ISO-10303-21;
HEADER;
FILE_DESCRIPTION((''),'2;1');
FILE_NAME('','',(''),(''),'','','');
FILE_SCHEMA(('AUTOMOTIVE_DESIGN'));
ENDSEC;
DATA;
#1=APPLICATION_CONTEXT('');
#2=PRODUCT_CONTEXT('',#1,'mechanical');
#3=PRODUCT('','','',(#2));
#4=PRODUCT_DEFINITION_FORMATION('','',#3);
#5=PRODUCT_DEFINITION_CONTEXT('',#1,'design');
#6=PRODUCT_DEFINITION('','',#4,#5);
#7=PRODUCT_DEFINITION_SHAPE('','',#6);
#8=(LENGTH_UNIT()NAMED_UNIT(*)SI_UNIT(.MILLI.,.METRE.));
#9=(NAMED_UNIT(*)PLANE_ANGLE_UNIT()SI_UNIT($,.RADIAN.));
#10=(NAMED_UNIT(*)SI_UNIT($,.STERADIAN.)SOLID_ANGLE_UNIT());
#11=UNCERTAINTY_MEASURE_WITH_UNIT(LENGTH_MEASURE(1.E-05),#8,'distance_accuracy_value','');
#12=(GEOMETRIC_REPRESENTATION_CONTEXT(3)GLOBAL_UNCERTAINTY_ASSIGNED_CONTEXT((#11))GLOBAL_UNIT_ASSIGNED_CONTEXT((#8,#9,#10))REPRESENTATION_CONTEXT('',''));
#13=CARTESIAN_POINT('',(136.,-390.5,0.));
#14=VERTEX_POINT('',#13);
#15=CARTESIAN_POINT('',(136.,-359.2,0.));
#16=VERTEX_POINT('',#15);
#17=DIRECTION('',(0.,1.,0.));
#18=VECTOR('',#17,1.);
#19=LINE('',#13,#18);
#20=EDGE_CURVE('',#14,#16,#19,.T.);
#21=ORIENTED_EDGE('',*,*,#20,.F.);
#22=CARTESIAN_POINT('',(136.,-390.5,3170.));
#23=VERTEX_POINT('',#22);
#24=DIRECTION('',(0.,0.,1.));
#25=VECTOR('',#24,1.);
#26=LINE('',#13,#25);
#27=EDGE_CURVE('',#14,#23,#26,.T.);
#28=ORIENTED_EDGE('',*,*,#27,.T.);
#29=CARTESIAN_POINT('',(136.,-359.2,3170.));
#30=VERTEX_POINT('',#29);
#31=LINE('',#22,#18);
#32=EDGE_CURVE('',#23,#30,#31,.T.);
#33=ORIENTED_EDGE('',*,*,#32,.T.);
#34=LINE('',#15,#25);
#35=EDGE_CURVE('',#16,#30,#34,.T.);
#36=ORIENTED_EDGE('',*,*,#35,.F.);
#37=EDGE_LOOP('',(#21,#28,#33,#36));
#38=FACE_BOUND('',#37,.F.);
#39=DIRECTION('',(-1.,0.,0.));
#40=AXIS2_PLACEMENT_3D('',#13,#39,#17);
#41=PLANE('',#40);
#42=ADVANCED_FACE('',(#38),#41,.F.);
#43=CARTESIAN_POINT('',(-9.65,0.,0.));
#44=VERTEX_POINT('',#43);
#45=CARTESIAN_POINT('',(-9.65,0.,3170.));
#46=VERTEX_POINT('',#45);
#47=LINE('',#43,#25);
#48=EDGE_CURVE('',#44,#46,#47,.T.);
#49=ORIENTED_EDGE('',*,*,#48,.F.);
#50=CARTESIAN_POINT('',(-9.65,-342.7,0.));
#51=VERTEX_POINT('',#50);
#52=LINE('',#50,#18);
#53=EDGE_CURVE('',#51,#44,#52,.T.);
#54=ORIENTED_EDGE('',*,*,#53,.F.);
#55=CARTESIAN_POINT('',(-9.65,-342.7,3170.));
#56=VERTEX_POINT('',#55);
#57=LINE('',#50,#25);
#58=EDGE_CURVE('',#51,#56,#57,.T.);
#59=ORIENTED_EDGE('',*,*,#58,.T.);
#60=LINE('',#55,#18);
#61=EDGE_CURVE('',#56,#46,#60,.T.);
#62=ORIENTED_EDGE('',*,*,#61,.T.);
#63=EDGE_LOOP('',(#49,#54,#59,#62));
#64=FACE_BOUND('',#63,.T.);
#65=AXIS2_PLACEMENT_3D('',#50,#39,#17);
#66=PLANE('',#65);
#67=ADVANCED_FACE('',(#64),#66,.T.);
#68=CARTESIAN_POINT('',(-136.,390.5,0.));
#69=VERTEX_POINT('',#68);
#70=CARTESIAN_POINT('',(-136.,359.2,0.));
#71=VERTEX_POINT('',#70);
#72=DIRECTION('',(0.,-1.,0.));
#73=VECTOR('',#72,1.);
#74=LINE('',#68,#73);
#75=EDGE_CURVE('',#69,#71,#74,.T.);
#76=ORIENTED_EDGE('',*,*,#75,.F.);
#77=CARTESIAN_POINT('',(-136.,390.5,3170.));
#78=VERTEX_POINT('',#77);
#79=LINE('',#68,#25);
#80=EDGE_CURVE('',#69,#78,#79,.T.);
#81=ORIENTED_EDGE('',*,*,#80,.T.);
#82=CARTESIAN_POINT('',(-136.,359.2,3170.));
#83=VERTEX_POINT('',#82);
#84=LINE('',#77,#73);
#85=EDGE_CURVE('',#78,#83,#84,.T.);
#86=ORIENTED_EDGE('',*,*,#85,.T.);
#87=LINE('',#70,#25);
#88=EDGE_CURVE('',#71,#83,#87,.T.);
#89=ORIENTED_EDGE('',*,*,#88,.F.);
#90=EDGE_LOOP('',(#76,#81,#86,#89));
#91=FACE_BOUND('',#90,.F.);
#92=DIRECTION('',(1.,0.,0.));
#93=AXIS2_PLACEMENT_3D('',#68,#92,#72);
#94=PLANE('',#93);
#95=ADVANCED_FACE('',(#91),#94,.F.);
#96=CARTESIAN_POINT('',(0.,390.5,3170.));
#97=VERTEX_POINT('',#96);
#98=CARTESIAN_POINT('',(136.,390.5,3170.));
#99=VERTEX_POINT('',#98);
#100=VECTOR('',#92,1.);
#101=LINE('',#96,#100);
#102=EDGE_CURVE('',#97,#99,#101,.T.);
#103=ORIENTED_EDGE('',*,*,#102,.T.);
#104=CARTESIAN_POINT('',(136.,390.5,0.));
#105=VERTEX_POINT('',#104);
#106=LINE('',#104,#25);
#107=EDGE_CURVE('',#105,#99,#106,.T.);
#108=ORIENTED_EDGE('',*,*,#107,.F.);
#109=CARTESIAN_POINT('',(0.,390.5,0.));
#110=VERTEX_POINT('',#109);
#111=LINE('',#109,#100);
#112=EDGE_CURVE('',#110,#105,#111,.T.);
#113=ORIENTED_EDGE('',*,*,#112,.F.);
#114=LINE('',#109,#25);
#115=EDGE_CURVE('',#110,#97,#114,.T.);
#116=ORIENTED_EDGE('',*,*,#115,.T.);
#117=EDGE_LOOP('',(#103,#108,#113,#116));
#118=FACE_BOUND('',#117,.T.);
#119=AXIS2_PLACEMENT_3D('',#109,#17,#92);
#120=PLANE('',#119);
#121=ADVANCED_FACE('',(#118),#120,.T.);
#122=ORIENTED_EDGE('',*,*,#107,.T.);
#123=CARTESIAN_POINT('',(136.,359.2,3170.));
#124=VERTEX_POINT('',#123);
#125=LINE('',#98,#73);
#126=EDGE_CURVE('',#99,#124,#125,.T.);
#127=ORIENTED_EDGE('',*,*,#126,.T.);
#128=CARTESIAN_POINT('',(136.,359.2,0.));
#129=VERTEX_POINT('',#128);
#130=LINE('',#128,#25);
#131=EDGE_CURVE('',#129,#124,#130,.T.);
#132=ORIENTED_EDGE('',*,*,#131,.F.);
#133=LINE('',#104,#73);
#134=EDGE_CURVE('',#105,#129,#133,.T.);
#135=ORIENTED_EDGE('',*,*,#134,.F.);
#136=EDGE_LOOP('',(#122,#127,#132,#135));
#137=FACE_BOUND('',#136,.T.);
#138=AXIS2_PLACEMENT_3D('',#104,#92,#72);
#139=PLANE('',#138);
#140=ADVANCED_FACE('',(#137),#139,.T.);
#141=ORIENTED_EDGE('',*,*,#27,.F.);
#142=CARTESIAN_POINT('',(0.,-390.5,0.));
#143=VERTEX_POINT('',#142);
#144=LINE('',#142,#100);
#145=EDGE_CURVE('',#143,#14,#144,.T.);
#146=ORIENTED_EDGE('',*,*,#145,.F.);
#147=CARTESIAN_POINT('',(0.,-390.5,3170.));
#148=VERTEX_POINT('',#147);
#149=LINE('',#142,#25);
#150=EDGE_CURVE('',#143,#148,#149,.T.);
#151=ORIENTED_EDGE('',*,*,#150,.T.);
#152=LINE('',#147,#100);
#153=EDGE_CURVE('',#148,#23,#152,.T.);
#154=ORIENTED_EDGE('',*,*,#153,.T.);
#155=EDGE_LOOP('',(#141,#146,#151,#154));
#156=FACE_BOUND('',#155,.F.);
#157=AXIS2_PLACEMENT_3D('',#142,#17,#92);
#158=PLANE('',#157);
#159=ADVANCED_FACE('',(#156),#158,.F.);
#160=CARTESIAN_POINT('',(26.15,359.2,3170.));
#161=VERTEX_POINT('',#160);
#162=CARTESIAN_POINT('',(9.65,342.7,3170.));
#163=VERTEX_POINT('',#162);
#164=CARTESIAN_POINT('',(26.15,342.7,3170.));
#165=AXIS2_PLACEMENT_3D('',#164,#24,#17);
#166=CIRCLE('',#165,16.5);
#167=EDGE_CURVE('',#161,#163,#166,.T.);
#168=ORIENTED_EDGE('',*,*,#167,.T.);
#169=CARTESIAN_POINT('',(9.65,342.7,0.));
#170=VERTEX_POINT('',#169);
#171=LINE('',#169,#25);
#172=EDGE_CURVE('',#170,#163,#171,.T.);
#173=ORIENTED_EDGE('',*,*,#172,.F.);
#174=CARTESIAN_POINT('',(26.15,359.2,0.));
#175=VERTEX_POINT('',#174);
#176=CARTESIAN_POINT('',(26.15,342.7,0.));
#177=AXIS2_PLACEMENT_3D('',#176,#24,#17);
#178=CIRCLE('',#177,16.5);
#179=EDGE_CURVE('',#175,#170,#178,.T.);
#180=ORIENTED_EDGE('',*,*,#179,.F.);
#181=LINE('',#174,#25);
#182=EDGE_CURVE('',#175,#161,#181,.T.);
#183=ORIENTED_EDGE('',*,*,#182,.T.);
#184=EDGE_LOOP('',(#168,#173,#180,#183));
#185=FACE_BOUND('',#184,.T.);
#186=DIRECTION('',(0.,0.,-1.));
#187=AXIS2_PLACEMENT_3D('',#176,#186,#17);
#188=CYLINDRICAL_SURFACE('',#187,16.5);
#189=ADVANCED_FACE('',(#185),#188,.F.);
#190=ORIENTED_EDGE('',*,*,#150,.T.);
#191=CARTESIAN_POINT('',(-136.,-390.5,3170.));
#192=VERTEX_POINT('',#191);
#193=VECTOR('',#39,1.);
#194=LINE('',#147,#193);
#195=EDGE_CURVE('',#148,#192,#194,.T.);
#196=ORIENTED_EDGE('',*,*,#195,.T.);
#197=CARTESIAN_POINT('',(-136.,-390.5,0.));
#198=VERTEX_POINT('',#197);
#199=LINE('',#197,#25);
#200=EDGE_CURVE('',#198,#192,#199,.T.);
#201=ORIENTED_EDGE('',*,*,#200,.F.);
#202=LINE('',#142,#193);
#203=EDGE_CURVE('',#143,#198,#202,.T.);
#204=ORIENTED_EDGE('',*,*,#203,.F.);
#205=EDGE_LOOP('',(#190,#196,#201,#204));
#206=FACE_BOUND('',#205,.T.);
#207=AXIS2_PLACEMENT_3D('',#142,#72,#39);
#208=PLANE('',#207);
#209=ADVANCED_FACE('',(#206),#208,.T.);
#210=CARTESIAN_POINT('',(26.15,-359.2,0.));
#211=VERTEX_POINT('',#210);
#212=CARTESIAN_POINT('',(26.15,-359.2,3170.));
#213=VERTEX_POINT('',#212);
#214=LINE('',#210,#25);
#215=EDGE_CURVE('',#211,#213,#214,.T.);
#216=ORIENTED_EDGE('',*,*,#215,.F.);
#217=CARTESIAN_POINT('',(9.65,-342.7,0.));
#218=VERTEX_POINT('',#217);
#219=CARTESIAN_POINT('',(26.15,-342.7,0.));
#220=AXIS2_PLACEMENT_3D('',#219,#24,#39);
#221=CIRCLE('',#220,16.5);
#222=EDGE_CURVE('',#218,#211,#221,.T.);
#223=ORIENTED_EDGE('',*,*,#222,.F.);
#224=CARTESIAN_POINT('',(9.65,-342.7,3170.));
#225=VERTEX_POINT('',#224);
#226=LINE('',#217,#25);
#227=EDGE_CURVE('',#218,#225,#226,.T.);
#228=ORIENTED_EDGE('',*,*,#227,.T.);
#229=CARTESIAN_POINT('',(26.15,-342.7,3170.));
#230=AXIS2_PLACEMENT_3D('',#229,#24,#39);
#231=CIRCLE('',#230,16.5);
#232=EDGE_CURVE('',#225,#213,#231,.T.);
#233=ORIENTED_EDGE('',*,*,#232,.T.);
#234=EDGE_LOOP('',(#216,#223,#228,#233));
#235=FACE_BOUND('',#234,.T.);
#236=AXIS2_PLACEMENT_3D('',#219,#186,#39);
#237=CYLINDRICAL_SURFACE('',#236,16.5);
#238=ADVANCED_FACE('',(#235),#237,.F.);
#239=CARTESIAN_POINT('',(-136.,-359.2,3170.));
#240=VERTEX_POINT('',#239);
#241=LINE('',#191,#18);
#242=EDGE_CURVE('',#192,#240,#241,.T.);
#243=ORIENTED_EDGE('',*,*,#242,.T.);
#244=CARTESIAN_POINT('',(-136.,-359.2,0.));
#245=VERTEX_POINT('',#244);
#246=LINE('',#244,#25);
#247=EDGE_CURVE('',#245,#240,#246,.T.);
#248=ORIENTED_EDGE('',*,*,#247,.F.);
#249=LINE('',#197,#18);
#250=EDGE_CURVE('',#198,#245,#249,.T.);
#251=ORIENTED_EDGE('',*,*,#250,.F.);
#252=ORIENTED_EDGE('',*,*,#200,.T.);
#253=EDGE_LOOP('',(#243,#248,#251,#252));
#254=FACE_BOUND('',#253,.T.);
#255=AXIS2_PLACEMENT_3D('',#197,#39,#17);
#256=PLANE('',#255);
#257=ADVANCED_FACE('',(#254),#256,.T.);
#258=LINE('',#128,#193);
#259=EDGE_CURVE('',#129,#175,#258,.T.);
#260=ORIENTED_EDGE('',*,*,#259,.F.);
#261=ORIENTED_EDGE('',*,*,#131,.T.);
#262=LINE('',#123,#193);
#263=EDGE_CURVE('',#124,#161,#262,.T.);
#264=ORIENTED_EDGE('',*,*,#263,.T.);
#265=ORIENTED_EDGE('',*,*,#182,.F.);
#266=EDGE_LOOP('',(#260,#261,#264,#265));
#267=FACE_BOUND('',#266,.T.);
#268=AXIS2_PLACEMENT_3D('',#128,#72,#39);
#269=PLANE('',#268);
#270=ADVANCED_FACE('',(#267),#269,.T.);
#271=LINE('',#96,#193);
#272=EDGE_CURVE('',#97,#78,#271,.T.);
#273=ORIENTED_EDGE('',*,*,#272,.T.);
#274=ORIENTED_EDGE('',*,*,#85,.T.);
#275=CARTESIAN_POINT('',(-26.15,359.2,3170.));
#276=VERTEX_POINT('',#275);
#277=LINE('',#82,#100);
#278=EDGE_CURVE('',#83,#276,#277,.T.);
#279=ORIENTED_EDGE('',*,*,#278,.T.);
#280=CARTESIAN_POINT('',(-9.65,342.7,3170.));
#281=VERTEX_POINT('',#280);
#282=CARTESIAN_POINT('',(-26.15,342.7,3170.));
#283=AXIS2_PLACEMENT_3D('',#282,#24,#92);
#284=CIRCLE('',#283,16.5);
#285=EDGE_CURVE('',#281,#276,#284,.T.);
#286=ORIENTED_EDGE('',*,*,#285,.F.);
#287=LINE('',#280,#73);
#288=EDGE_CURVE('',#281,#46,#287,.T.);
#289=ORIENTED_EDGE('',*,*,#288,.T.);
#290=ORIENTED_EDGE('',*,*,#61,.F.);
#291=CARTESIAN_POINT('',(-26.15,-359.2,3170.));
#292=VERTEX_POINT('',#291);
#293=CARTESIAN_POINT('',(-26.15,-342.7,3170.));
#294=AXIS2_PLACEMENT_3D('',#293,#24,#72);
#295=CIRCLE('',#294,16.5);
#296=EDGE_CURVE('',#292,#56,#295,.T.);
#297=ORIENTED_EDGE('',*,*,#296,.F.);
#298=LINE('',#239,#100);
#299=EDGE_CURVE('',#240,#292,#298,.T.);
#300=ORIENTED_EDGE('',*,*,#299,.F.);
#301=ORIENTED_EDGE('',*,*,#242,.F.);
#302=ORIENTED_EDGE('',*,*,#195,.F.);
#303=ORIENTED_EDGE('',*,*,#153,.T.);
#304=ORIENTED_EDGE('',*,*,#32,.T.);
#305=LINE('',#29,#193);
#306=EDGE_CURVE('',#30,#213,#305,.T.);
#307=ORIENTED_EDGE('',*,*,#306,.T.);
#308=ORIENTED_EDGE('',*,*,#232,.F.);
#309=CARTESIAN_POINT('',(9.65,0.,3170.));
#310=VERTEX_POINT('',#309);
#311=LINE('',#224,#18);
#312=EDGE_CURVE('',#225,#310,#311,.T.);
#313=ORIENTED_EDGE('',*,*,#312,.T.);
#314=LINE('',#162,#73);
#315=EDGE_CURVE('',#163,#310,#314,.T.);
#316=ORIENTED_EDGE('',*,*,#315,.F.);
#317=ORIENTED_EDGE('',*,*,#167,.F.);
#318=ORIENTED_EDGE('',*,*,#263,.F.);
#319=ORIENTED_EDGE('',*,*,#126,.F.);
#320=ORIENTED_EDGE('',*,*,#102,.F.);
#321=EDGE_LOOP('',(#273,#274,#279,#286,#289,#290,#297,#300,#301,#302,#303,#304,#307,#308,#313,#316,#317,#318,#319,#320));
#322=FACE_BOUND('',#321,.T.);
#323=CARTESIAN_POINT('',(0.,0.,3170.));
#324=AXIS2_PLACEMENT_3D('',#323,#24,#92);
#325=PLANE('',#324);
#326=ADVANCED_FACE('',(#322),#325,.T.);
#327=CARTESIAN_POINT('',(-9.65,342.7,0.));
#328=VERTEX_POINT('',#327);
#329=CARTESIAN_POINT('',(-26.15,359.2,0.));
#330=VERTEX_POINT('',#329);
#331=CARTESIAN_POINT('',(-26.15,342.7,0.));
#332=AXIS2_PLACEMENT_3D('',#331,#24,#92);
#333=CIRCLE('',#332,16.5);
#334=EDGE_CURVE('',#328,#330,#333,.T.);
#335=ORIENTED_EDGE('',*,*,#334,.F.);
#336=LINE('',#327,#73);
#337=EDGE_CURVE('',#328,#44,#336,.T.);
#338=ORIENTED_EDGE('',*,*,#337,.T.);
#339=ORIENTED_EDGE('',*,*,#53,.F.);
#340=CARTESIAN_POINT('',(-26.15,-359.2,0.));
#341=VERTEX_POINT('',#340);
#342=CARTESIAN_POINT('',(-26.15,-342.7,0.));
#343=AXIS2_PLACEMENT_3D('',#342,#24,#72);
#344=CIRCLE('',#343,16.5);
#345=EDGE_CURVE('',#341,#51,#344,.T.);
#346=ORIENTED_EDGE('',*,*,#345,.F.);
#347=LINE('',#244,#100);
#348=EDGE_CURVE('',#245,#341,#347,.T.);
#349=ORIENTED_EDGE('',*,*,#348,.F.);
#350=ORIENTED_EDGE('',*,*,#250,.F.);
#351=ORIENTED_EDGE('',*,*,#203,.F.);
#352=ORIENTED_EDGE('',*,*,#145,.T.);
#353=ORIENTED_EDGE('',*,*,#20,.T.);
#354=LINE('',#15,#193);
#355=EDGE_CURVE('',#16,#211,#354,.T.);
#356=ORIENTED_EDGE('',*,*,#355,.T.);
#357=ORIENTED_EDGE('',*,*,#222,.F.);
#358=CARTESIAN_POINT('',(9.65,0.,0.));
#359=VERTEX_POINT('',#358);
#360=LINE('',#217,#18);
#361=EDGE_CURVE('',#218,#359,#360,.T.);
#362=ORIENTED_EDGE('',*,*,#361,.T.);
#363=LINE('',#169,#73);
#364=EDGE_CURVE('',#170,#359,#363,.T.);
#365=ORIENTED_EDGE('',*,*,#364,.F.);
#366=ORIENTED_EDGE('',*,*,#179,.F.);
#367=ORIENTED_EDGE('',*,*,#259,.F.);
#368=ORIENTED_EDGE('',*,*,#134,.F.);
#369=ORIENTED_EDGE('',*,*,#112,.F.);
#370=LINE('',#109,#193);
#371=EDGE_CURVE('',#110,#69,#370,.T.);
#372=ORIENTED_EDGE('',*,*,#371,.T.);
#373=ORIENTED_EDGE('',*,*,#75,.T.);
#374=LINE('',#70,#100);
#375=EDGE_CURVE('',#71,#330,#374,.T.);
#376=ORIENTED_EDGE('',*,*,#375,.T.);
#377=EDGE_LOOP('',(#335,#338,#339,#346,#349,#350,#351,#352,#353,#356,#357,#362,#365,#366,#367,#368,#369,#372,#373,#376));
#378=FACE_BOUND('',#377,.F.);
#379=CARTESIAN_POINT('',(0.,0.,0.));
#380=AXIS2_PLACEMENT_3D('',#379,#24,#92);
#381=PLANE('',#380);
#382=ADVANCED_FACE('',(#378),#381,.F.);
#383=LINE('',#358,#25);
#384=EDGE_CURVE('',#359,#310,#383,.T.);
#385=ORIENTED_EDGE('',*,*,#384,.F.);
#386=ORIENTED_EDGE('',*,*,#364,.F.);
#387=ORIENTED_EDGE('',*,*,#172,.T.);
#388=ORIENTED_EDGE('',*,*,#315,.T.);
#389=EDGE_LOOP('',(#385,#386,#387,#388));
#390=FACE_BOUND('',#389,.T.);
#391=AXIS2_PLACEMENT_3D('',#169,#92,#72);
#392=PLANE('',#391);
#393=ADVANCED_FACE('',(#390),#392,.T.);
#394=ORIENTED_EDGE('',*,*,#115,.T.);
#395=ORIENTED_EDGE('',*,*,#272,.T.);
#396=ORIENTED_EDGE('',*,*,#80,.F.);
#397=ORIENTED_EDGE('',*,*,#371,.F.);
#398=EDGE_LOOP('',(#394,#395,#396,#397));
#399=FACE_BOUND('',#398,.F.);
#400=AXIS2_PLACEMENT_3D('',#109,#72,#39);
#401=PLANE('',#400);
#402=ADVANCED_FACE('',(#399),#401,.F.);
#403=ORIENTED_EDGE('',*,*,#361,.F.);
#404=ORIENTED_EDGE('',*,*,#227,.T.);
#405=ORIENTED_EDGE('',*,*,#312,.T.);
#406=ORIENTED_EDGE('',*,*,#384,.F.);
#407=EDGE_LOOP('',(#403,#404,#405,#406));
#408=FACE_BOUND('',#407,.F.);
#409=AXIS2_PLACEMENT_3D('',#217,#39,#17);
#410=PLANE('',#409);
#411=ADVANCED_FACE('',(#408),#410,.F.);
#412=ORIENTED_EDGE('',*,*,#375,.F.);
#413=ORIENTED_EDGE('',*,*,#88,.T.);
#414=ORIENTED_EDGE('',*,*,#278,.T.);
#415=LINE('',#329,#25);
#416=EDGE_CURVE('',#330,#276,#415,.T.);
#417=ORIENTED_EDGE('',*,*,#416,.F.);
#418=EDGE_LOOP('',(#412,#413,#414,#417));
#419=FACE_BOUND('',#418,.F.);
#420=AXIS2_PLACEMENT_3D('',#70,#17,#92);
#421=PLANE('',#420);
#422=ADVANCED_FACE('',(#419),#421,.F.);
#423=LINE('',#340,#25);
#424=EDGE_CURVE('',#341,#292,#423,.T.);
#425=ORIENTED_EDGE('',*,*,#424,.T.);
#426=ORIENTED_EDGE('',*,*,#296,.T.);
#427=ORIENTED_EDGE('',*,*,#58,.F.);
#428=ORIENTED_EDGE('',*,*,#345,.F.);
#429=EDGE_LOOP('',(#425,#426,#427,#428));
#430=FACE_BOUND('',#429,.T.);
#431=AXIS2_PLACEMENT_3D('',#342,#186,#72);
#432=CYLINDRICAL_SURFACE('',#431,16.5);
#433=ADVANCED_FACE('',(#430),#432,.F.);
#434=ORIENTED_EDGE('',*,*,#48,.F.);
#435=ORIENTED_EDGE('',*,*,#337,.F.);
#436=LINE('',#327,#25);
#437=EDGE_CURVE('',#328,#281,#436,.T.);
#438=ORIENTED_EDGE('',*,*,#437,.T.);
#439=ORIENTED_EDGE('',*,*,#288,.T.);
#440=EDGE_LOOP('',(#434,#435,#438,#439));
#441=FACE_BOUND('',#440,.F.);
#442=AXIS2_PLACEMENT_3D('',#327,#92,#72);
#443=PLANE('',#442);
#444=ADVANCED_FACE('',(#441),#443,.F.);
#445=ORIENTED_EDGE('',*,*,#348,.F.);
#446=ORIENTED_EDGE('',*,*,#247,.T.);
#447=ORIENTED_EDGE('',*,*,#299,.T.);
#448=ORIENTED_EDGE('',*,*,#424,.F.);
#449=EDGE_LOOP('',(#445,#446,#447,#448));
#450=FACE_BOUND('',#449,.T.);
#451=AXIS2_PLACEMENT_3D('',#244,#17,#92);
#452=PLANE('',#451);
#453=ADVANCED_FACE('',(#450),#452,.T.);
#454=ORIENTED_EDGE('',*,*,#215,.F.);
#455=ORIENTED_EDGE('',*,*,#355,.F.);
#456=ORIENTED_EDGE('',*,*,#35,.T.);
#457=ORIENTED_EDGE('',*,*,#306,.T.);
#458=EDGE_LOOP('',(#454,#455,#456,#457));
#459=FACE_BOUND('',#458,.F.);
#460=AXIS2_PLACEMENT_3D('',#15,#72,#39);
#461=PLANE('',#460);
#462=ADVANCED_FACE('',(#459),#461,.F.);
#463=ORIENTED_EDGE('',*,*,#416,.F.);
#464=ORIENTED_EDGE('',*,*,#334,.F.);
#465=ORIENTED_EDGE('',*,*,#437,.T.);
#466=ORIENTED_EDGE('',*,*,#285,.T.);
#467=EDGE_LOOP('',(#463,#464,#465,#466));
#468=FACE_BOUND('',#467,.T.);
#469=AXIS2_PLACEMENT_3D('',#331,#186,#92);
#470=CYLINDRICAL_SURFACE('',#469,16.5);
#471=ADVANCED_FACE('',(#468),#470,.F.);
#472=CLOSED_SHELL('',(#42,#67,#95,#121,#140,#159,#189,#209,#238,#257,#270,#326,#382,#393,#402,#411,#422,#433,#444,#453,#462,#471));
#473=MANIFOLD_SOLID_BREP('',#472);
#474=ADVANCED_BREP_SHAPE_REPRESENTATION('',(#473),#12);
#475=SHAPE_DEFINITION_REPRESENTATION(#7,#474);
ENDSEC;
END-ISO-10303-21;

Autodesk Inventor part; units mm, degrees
ref_plane "YZ Plane" through (0, 0, 0) normal (1, 0, 0) x (0, 1, 0)
ref_plane "Start plane" through (0, 0, 0) normal (0, 0, 1) x (1, 0, 0)
ref_plane "End plane" through (0, 0, 3170) normal (0, 0, 1) x (1, 0, 0)
sketch "Sketch" plane through (0, 0, 0) normal (0, 0, 1) x (1, 0, 0)
  line L0 (-136, -390.5) -> (-136, -359.2)
  line L1 (-136, -359.2) -> (-26.15, -359.2)
  line L2 (-9.65, -342.7) -> (-9.65, 0)
  line L3 (-9.65, 0) -> (0, 0) construction
  line L4 (0, 0) -> (0, -390.5) construction
  line L5 (0, -390.5) -> (-136, -390.5)
  line L6 (-60, 0) -> (80, 0) construction
  line L7 (0, -60) -> (0, 80) construction
  line L8 (136, -390.5) -> (136, -359.2)
  line L9 (136, -359.2) -> (26.15, -359.2)
  line L10 (9.65, -342.7) -> (9.65, 0)
  line L11 (9.65, 0) -> (0, 0) construction
  line L12 (0, -390.5) -> (136, -390.5)
  line L13 (-136, 390.5) -> (-136, 359.2)
  line L14 (-136, 359.2) -> (-26.15, 359.2)
  line L15 (-9.65, 342.7) -> (-9.65, 0)
  line L16 (0, 390.5) -> (-136, 390.5)
  line L17 (136, 390.5) -> (136, 359.2)
  line L18 (136, 359.2) -> (26.15, 359.2)
  line L19 (0, 390.5) -> (136, 390.5)
  line L20 (9.65, 342.7) -> (9.65, 0)
  arc A0 (-9.65, 342.7) -> (-26.15, 359.2) centre (-26.15, 342.7) ccw
  arc A1 (26.15, 359.2) -> (9.65, 342.7) centre (26.15, 342.7) ccw
  arc A2 (9.65, -342.7) -> (26.15, -359.2) centre (26.15, -342.7) ccw
  arc A3 (-26.15, -359.2) -> (-9.65, -342.7) centre (-26.15, -342.7) ccw
  line L21 (0, 108) -> (0, -88) construction
  line L22 (-88, 0) -> (108, 0) construction
  point P0 (-9.65, -359.2)
  point P1 (9.65, -359.2)
  point P2 (-9.65, 359.2)
  point P3 (9.65, 359.2)
  dimension "d1" = 390.5
  dimension "d2" = 31.3
  dimension "d3" = 136
  dimension "d4" = 9.65
  dimension "d10" = 16.5
extrude "Body" add sketch "Sketch" along normal up to surface (3170 mm away) from surface at 0
sketch "Sketch4" plane through (0, 0, 0) normal (0, 0, 1) x (1, 0, 0)
  line L0 (0, 0) -> (10, 0)
ref_plane "Work Plane3" through (0, 0, 0) normal (0, -1, 0) x (1, 0, 0)
sketch "Sketch5" plane through (0, 0, 0) normal (0, -1, 0) x (1, 0, 0)
  line L0 (-2, 0) -> (12, 0) projected
  line L1 (-2, 3170) -> (12, 3170) projected
  dimension "d14" = 3170
equation "\"d1\" = 0.5 * G_H"
equation "\"d2\" = G_T1"
equation "\"d3\" = 0.5 * G_W"
equation "\"d4\" = 0.5 * G_T"
equation "\"d10\" = G_IR"
equation "\"d5\" = G_L"
equation "\"G_W\" = 272"
equation "\"G_H\" = 781"
equation "\"G_T\" = 19.3"
equation "\"G_T1\" = 31.3"
equation "\"G_IR\" = 16.5"
equation "\"G_L\" = d14"
equation "\"G_OFFSET_START\" = 0"
equation "\"G_OFFSET_END\" = 0"
properties part number "AS 3679-1990 - 760 UB - 244 - 3170" material "Steel, Mild"
